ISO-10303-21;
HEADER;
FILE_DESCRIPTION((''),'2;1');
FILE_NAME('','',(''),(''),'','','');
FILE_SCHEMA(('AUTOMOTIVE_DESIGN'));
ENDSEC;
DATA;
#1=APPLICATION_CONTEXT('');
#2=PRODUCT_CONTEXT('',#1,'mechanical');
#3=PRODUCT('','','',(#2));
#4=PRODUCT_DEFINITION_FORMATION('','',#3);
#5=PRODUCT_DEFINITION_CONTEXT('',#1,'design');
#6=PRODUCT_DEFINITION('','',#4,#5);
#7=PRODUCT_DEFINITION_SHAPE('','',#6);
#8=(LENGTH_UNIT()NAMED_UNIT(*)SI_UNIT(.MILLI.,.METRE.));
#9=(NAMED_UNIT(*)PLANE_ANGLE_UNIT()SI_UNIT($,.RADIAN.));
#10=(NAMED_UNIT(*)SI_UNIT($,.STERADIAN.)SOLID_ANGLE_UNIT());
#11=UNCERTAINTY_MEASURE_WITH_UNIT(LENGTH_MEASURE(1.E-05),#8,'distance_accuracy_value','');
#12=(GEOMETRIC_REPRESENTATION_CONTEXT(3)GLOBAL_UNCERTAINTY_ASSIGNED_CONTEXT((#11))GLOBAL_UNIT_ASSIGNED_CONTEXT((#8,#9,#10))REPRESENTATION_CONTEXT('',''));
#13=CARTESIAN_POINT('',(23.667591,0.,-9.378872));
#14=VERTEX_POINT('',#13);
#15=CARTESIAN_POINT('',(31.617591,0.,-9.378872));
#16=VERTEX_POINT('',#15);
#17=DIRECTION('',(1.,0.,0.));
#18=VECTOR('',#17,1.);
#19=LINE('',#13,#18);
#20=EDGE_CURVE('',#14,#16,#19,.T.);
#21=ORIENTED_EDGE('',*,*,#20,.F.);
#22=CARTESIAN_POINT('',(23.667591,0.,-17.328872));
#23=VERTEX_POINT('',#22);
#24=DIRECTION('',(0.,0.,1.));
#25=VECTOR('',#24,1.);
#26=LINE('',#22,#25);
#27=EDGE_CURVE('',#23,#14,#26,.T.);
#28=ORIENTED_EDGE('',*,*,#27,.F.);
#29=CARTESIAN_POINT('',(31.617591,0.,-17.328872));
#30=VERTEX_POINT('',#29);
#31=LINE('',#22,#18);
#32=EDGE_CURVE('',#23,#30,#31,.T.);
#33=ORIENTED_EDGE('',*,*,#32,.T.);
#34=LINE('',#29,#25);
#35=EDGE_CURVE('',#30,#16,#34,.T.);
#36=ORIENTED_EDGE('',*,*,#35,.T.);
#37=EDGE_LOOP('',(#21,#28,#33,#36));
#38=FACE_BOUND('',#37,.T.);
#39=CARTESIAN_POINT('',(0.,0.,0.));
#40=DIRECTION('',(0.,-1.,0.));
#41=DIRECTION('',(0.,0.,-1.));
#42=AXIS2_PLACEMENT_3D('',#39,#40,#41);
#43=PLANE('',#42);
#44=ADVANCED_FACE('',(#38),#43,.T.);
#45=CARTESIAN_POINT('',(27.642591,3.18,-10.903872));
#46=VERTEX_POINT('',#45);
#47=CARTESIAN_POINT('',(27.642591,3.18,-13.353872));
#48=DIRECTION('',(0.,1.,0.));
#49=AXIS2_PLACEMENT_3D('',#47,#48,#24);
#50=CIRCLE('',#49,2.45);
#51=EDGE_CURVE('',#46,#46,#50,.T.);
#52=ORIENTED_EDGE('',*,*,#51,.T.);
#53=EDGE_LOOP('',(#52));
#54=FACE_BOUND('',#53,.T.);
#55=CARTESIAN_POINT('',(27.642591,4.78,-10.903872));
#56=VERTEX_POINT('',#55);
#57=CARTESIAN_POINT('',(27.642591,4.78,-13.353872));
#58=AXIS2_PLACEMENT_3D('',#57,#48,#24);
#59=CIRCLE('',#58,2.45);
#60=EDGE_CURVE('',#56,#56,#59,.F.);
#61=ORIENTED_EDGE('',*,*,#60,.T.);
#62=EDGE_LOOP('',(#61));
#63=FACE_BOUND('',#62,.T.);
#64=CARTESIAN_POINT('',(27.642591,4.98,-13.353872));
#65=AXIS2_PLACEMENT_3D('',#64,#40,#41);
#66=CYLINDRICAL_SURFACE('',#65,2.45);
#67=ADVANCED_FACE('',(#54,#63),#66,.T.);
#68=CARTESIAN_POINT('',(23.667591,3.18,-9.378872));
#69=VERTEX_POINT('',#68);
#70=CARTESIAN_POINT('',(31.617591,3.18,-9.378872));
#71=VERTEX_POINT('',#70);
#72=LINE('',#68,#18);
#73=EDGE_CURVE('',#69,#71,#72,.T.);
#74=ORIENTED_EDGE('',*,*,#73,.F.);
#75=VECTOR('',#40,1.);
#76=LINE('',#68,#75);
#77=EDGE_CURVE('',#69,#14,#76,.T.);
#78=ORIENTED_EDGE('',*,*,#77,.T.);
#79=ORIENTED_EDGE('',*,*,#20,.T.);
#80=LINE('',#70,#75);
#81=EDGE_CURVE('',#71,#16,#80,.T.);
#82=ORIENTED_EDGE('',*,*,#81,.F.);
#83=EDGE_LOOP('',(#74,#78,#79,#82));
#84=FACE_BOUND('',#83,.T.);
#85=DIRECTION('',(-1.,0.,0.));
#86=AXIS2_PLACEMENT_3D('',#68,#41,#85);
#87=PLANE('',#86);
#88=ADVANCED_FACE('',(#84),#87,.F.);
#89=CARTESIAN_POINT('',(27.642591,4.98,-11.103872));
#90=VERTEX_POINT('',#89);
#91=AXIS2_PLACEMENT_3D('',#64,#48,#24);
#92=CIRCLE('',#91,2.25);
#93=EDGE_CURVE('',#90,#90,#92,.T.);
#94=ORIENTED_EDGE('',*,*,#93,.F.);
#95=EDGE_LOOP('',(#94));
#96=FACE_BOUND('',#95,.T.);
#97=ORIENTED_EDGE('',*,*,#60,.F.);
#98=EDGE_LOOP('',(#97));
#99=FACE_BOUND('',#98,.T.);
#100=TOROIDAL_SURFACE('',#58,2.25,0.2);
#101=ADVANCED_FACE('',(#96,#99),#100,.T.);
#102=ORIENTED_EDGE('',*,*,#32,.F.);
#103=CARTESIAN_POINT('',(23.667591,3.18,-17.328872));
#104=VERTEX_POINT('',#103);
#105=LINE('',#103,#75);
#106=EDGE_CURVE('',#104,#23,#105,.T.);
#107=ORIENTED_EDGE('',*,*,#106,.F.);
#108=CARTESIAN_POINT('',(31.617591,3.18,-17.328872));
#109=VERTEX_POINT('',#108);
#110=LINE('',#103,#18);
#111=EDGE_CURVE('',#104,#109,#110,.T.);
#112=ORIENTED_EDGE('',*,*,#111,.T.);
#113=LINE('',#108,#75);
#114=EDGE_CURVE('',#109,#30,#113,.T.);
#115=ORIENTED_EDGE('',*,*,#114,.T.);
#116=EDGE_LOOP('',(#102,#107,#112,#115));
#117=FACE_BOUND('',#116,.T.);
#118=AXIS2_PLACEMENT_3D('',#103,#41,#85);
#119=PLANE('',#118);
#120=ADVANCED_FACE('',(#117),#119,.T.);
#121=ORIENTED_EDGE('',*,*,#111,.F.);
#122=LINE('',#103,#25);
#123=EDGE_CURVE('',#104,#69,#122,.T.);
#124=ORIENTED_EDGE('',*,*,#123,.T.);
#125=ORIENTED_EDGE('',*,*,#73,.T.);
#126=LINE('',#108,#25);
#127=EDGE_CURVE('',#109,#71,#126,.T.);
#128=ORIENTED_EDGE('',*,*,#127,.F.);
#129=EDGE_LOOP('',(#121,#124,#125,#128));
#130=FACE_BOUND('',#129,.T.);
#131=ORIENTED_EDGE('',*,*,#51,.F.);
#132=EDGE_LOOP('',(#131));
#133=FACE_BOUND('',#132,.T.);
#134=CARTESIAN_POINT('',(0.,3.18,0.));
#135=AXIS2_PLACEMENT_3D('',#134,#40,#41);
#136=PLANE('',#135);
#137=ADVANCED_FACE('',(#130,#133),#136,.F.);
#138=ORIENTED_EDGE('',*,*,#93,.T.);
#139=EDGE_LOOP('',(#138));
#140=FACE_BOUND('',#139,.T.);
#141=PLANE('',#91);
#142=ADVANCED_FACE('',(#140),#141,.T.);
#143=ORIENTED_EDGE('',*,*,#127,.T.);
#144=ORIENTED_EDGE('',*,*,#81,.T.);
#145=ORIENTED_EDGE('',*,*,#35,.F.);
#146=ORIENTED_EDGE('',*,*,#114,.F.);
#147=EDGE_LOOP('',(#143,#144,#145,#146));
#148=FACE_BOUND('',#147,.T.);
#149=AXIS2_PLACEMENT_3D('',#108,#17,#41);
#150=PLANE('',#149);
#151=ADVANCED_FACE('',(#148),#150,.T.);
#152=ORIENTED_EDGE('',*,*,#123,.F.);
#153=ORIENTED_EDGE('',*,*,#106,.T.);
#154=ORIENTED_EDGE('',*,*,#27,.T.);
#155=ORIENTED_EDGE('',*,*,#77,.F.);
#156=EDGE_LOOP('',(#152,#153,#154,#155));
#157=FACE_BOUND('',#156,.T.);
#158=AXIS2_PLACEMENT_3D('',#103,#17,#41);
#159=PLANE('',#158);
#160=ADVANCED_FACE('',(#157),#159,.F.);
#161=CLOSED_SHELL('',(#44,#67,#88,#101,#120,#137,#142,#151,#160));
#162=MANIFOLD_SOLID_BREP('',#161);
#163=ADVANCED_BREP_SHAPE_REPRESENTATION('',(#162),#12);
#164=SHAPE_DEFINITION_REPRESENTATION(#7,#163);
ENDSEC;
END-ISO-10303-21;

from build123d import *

# Parameters (mm, degrees)
SKETCH_1_W      = 7.95
SKETCH_1_H      = 7.95
EXTRUDE_1_DEPTH = 3.18
SKETCH_2_R      = 2.45
EXTRUDE_2_DEPTH = 1.8
FILLET_1_R      = 0.2


with BuildPart() as part:
    # 草图1 → 凸台-拉伸1 (new body)
    with BuildSketch(Plane(origin=(0, 0, 0), x_dir=(1, 0, 0), z_dir=(0, 1, 0))):
        with Locations((27.642590822, 13.353871893)):
            Rectangle(SKETCH_1_W, SKETCH_1_H)
    extrude(amount=EXTRUDE_1_DEPTH)

    # 草图2 → 凸台-拉伸2 (add)
    with BuildSketch(Plane(origin=(0, 3.18, 0), x_dir=(1, 0, 0), z_dir=(0, 1, 0))):
        with Locations(Location((27.642590822, 13.353871893, 0), (0, 0, 270))):
            Circle(SKETCH_2_R)
    extrude(amount=EXTRUDE_2_DEPTH)

    # 圆角1
    fillet_1_edges = [part.edges().sort_by_distance(p)[0] for p in [
        (27.642590822, 4.98, -15.803871893),
    ]]
    fillet(fillet_1_edges, radius=FILLET_1_R)


solid = part.part
